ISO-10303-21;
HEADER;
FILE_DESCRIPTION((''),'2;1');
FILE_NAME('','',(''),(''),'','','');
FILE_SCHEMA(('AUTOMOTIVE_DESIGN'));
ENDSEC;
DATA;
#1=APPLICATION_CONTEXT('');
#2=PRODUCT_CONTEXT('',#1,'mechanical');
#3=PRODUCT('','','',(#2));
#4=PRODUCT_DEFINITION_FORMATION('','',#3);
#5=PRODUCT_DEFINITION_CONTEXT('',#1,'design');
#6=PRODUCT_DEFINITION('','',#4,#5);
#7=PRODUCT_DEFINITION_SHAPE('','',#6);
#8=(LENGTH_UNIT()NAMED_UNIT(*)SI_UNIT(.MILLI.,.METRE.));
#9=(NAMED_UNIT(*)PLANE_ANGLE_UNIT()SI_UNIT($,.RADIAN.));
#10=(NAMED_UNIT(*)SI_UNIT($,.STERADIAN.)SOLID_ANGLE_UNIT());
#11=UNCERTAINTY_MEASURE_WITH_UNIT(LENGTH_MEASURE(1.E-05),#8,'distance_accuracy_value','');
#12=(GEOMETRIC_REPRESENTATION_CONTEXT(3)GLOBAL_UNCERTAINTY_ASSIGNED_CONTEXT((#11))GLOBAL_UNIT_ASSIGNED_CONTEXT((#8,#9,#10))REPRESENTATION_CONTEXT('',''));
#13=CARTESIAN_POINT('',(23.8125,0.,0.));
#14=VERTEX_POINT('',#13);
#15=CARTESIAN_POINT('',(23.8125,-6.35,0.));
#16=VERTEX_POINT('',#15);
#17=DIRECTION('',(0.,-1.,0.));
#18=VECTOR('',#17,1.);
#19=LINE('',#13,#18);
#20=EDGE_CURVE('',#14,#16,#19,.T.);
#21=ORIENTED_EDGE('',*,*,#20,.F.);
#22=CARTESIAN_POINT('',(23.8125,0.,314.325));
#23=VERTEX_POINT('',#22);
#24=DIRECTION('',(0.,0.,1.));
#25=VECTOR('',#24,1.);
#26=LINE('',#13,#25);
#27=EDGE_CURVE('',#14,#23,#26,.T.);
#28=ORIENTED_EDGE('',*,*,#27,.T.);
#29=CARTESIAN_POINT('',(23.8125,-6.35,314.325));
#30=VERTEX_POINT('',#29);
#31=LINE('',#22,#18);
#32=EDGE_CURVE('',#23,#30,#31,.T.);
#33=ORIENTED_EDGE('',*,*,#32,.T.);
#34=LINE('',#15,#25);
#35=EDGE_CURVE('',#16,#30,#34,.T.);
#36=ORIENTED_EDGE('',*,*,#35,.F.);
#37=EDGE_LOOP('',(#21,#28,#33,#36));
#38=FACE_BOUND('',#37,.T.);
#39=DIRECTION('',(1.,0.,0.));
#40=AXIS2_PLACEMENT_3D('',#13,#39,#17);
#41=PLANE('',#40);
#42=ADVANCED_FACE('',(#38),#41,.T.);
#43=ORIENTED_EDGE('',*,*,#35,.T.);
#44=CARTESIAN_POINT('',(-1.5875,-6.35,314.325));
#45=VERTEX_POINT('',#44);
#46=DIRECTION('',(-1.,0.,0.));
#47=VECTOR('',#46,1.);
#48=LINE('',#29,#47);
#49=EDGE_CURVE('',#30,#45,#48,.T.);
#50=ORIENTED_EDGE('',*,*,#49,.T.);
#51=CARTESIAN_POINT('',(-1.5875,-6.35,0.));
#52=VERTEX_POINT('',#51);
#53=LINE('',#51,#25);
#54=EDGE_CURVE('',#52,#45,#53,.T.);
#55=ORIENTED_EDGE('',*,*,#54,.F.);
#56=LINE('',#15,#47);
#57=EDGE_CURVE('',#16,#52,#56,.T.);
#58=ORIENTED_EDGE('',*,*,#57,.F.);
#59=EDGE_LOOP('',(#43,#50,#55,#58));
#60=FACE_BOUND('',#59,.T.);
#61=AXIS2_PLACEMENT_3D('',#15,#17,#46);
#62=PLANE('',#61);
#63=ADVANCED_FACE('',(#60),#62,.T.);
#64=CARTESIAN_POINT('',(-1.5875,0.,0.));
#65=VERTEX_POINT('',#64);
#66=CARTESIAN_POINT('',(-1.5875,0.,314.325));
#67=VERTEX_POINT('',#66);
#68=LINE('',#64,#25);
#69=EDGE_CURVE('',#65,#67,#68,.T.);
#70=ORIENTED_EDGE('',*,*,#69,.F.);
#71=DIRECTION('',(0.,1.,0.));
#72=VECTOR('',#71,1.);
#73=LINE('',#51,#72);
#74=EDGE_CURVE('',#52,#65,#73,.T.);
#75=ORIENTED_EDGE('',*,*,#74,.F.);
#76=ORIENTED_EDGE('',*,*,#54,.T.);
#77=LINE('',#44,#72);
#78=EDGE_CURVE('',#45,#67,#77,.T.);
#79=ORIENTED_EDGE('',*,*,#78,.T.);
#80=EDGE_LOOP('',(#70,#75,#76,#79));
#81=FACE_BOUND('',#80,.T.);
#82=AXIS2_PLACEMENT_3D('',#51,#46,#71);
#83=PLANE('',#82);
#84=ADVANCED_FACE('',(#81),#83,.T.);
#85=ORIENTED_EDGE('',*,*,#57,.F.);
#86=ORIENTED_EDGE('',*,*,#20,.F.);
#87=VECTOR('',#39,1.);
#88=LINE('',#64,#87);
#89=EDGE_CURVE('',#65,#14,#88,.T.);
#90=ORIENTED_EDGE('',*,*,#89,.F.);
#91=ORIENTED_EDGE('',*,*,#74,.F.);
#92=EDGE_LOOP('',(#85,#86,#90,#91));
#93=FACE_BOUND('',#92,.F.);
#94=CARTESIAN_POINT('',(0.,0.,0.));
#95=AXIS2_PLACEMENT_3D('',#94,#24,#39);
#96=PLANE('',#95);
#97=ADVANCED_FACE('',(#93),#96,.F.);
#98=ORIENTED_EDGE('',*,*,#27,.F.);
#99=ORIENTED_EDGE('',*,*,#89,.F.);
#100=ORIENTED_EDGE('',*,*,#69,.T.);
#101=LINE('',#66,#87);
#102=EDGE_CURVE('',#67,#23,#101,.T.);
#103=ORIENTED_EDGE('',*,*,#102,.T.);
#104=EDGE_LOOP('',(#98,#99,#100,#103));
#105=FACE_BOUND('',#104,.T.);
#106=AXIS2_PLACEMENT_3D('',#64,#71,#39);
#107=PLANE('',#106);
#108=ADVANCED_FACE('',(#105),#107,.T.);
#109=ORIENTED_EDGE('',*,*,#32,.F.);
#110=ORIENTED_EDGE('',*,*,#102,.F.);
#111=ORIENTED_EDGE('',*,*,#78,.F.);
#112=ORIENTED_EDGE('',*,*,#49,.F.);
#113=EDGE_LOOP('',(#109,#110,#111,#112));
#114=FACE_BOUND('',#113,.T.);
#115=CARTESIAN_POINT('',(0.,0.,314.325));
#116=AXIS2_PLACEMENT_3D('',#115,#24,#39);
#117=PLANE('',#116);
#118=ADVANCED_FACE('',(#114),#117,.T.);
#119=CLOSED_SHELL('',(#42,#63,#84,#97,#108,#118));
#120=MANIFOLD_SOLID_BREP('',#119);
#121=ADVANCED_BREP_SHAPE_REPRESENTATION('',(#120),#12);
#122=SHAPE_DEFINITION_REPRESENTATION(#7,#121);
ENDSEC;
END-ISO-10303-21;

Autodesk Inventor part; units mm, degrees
ref_plane "YZ Plane" through (0, 0, 0) normal (1, 0, 0) x (0, 1, 0)
ref_plane "XZ Plane" through (0, 0, 0) normal (0, 1, 0) x (-1, 0, 0)
ref_plane "XY Plane" through (0, 0, 0) normal (0, 0, 1) x (1, 0, 0)
sketch "Sketch1" plane through (0, 0, 0) normal (0, 0, 1) x (1, 0, 0)
  line L0 (-1.5875, 0) -> (23.8125, 0)
  line L1 (23.8125, 0) -> (23.8125, -6.35)
  line L2 (23.8125, -6.35) -> (-1.5875, -6.35)
  line L3 (-1.5875, -6.35) -> (-1.5875, 0)
  point P0 (0, 0)
extrude "Extrusion1" add sketch "Sketch1" along normal blind 314.325
properties part number "test bar" material "Bronze, Cast"
